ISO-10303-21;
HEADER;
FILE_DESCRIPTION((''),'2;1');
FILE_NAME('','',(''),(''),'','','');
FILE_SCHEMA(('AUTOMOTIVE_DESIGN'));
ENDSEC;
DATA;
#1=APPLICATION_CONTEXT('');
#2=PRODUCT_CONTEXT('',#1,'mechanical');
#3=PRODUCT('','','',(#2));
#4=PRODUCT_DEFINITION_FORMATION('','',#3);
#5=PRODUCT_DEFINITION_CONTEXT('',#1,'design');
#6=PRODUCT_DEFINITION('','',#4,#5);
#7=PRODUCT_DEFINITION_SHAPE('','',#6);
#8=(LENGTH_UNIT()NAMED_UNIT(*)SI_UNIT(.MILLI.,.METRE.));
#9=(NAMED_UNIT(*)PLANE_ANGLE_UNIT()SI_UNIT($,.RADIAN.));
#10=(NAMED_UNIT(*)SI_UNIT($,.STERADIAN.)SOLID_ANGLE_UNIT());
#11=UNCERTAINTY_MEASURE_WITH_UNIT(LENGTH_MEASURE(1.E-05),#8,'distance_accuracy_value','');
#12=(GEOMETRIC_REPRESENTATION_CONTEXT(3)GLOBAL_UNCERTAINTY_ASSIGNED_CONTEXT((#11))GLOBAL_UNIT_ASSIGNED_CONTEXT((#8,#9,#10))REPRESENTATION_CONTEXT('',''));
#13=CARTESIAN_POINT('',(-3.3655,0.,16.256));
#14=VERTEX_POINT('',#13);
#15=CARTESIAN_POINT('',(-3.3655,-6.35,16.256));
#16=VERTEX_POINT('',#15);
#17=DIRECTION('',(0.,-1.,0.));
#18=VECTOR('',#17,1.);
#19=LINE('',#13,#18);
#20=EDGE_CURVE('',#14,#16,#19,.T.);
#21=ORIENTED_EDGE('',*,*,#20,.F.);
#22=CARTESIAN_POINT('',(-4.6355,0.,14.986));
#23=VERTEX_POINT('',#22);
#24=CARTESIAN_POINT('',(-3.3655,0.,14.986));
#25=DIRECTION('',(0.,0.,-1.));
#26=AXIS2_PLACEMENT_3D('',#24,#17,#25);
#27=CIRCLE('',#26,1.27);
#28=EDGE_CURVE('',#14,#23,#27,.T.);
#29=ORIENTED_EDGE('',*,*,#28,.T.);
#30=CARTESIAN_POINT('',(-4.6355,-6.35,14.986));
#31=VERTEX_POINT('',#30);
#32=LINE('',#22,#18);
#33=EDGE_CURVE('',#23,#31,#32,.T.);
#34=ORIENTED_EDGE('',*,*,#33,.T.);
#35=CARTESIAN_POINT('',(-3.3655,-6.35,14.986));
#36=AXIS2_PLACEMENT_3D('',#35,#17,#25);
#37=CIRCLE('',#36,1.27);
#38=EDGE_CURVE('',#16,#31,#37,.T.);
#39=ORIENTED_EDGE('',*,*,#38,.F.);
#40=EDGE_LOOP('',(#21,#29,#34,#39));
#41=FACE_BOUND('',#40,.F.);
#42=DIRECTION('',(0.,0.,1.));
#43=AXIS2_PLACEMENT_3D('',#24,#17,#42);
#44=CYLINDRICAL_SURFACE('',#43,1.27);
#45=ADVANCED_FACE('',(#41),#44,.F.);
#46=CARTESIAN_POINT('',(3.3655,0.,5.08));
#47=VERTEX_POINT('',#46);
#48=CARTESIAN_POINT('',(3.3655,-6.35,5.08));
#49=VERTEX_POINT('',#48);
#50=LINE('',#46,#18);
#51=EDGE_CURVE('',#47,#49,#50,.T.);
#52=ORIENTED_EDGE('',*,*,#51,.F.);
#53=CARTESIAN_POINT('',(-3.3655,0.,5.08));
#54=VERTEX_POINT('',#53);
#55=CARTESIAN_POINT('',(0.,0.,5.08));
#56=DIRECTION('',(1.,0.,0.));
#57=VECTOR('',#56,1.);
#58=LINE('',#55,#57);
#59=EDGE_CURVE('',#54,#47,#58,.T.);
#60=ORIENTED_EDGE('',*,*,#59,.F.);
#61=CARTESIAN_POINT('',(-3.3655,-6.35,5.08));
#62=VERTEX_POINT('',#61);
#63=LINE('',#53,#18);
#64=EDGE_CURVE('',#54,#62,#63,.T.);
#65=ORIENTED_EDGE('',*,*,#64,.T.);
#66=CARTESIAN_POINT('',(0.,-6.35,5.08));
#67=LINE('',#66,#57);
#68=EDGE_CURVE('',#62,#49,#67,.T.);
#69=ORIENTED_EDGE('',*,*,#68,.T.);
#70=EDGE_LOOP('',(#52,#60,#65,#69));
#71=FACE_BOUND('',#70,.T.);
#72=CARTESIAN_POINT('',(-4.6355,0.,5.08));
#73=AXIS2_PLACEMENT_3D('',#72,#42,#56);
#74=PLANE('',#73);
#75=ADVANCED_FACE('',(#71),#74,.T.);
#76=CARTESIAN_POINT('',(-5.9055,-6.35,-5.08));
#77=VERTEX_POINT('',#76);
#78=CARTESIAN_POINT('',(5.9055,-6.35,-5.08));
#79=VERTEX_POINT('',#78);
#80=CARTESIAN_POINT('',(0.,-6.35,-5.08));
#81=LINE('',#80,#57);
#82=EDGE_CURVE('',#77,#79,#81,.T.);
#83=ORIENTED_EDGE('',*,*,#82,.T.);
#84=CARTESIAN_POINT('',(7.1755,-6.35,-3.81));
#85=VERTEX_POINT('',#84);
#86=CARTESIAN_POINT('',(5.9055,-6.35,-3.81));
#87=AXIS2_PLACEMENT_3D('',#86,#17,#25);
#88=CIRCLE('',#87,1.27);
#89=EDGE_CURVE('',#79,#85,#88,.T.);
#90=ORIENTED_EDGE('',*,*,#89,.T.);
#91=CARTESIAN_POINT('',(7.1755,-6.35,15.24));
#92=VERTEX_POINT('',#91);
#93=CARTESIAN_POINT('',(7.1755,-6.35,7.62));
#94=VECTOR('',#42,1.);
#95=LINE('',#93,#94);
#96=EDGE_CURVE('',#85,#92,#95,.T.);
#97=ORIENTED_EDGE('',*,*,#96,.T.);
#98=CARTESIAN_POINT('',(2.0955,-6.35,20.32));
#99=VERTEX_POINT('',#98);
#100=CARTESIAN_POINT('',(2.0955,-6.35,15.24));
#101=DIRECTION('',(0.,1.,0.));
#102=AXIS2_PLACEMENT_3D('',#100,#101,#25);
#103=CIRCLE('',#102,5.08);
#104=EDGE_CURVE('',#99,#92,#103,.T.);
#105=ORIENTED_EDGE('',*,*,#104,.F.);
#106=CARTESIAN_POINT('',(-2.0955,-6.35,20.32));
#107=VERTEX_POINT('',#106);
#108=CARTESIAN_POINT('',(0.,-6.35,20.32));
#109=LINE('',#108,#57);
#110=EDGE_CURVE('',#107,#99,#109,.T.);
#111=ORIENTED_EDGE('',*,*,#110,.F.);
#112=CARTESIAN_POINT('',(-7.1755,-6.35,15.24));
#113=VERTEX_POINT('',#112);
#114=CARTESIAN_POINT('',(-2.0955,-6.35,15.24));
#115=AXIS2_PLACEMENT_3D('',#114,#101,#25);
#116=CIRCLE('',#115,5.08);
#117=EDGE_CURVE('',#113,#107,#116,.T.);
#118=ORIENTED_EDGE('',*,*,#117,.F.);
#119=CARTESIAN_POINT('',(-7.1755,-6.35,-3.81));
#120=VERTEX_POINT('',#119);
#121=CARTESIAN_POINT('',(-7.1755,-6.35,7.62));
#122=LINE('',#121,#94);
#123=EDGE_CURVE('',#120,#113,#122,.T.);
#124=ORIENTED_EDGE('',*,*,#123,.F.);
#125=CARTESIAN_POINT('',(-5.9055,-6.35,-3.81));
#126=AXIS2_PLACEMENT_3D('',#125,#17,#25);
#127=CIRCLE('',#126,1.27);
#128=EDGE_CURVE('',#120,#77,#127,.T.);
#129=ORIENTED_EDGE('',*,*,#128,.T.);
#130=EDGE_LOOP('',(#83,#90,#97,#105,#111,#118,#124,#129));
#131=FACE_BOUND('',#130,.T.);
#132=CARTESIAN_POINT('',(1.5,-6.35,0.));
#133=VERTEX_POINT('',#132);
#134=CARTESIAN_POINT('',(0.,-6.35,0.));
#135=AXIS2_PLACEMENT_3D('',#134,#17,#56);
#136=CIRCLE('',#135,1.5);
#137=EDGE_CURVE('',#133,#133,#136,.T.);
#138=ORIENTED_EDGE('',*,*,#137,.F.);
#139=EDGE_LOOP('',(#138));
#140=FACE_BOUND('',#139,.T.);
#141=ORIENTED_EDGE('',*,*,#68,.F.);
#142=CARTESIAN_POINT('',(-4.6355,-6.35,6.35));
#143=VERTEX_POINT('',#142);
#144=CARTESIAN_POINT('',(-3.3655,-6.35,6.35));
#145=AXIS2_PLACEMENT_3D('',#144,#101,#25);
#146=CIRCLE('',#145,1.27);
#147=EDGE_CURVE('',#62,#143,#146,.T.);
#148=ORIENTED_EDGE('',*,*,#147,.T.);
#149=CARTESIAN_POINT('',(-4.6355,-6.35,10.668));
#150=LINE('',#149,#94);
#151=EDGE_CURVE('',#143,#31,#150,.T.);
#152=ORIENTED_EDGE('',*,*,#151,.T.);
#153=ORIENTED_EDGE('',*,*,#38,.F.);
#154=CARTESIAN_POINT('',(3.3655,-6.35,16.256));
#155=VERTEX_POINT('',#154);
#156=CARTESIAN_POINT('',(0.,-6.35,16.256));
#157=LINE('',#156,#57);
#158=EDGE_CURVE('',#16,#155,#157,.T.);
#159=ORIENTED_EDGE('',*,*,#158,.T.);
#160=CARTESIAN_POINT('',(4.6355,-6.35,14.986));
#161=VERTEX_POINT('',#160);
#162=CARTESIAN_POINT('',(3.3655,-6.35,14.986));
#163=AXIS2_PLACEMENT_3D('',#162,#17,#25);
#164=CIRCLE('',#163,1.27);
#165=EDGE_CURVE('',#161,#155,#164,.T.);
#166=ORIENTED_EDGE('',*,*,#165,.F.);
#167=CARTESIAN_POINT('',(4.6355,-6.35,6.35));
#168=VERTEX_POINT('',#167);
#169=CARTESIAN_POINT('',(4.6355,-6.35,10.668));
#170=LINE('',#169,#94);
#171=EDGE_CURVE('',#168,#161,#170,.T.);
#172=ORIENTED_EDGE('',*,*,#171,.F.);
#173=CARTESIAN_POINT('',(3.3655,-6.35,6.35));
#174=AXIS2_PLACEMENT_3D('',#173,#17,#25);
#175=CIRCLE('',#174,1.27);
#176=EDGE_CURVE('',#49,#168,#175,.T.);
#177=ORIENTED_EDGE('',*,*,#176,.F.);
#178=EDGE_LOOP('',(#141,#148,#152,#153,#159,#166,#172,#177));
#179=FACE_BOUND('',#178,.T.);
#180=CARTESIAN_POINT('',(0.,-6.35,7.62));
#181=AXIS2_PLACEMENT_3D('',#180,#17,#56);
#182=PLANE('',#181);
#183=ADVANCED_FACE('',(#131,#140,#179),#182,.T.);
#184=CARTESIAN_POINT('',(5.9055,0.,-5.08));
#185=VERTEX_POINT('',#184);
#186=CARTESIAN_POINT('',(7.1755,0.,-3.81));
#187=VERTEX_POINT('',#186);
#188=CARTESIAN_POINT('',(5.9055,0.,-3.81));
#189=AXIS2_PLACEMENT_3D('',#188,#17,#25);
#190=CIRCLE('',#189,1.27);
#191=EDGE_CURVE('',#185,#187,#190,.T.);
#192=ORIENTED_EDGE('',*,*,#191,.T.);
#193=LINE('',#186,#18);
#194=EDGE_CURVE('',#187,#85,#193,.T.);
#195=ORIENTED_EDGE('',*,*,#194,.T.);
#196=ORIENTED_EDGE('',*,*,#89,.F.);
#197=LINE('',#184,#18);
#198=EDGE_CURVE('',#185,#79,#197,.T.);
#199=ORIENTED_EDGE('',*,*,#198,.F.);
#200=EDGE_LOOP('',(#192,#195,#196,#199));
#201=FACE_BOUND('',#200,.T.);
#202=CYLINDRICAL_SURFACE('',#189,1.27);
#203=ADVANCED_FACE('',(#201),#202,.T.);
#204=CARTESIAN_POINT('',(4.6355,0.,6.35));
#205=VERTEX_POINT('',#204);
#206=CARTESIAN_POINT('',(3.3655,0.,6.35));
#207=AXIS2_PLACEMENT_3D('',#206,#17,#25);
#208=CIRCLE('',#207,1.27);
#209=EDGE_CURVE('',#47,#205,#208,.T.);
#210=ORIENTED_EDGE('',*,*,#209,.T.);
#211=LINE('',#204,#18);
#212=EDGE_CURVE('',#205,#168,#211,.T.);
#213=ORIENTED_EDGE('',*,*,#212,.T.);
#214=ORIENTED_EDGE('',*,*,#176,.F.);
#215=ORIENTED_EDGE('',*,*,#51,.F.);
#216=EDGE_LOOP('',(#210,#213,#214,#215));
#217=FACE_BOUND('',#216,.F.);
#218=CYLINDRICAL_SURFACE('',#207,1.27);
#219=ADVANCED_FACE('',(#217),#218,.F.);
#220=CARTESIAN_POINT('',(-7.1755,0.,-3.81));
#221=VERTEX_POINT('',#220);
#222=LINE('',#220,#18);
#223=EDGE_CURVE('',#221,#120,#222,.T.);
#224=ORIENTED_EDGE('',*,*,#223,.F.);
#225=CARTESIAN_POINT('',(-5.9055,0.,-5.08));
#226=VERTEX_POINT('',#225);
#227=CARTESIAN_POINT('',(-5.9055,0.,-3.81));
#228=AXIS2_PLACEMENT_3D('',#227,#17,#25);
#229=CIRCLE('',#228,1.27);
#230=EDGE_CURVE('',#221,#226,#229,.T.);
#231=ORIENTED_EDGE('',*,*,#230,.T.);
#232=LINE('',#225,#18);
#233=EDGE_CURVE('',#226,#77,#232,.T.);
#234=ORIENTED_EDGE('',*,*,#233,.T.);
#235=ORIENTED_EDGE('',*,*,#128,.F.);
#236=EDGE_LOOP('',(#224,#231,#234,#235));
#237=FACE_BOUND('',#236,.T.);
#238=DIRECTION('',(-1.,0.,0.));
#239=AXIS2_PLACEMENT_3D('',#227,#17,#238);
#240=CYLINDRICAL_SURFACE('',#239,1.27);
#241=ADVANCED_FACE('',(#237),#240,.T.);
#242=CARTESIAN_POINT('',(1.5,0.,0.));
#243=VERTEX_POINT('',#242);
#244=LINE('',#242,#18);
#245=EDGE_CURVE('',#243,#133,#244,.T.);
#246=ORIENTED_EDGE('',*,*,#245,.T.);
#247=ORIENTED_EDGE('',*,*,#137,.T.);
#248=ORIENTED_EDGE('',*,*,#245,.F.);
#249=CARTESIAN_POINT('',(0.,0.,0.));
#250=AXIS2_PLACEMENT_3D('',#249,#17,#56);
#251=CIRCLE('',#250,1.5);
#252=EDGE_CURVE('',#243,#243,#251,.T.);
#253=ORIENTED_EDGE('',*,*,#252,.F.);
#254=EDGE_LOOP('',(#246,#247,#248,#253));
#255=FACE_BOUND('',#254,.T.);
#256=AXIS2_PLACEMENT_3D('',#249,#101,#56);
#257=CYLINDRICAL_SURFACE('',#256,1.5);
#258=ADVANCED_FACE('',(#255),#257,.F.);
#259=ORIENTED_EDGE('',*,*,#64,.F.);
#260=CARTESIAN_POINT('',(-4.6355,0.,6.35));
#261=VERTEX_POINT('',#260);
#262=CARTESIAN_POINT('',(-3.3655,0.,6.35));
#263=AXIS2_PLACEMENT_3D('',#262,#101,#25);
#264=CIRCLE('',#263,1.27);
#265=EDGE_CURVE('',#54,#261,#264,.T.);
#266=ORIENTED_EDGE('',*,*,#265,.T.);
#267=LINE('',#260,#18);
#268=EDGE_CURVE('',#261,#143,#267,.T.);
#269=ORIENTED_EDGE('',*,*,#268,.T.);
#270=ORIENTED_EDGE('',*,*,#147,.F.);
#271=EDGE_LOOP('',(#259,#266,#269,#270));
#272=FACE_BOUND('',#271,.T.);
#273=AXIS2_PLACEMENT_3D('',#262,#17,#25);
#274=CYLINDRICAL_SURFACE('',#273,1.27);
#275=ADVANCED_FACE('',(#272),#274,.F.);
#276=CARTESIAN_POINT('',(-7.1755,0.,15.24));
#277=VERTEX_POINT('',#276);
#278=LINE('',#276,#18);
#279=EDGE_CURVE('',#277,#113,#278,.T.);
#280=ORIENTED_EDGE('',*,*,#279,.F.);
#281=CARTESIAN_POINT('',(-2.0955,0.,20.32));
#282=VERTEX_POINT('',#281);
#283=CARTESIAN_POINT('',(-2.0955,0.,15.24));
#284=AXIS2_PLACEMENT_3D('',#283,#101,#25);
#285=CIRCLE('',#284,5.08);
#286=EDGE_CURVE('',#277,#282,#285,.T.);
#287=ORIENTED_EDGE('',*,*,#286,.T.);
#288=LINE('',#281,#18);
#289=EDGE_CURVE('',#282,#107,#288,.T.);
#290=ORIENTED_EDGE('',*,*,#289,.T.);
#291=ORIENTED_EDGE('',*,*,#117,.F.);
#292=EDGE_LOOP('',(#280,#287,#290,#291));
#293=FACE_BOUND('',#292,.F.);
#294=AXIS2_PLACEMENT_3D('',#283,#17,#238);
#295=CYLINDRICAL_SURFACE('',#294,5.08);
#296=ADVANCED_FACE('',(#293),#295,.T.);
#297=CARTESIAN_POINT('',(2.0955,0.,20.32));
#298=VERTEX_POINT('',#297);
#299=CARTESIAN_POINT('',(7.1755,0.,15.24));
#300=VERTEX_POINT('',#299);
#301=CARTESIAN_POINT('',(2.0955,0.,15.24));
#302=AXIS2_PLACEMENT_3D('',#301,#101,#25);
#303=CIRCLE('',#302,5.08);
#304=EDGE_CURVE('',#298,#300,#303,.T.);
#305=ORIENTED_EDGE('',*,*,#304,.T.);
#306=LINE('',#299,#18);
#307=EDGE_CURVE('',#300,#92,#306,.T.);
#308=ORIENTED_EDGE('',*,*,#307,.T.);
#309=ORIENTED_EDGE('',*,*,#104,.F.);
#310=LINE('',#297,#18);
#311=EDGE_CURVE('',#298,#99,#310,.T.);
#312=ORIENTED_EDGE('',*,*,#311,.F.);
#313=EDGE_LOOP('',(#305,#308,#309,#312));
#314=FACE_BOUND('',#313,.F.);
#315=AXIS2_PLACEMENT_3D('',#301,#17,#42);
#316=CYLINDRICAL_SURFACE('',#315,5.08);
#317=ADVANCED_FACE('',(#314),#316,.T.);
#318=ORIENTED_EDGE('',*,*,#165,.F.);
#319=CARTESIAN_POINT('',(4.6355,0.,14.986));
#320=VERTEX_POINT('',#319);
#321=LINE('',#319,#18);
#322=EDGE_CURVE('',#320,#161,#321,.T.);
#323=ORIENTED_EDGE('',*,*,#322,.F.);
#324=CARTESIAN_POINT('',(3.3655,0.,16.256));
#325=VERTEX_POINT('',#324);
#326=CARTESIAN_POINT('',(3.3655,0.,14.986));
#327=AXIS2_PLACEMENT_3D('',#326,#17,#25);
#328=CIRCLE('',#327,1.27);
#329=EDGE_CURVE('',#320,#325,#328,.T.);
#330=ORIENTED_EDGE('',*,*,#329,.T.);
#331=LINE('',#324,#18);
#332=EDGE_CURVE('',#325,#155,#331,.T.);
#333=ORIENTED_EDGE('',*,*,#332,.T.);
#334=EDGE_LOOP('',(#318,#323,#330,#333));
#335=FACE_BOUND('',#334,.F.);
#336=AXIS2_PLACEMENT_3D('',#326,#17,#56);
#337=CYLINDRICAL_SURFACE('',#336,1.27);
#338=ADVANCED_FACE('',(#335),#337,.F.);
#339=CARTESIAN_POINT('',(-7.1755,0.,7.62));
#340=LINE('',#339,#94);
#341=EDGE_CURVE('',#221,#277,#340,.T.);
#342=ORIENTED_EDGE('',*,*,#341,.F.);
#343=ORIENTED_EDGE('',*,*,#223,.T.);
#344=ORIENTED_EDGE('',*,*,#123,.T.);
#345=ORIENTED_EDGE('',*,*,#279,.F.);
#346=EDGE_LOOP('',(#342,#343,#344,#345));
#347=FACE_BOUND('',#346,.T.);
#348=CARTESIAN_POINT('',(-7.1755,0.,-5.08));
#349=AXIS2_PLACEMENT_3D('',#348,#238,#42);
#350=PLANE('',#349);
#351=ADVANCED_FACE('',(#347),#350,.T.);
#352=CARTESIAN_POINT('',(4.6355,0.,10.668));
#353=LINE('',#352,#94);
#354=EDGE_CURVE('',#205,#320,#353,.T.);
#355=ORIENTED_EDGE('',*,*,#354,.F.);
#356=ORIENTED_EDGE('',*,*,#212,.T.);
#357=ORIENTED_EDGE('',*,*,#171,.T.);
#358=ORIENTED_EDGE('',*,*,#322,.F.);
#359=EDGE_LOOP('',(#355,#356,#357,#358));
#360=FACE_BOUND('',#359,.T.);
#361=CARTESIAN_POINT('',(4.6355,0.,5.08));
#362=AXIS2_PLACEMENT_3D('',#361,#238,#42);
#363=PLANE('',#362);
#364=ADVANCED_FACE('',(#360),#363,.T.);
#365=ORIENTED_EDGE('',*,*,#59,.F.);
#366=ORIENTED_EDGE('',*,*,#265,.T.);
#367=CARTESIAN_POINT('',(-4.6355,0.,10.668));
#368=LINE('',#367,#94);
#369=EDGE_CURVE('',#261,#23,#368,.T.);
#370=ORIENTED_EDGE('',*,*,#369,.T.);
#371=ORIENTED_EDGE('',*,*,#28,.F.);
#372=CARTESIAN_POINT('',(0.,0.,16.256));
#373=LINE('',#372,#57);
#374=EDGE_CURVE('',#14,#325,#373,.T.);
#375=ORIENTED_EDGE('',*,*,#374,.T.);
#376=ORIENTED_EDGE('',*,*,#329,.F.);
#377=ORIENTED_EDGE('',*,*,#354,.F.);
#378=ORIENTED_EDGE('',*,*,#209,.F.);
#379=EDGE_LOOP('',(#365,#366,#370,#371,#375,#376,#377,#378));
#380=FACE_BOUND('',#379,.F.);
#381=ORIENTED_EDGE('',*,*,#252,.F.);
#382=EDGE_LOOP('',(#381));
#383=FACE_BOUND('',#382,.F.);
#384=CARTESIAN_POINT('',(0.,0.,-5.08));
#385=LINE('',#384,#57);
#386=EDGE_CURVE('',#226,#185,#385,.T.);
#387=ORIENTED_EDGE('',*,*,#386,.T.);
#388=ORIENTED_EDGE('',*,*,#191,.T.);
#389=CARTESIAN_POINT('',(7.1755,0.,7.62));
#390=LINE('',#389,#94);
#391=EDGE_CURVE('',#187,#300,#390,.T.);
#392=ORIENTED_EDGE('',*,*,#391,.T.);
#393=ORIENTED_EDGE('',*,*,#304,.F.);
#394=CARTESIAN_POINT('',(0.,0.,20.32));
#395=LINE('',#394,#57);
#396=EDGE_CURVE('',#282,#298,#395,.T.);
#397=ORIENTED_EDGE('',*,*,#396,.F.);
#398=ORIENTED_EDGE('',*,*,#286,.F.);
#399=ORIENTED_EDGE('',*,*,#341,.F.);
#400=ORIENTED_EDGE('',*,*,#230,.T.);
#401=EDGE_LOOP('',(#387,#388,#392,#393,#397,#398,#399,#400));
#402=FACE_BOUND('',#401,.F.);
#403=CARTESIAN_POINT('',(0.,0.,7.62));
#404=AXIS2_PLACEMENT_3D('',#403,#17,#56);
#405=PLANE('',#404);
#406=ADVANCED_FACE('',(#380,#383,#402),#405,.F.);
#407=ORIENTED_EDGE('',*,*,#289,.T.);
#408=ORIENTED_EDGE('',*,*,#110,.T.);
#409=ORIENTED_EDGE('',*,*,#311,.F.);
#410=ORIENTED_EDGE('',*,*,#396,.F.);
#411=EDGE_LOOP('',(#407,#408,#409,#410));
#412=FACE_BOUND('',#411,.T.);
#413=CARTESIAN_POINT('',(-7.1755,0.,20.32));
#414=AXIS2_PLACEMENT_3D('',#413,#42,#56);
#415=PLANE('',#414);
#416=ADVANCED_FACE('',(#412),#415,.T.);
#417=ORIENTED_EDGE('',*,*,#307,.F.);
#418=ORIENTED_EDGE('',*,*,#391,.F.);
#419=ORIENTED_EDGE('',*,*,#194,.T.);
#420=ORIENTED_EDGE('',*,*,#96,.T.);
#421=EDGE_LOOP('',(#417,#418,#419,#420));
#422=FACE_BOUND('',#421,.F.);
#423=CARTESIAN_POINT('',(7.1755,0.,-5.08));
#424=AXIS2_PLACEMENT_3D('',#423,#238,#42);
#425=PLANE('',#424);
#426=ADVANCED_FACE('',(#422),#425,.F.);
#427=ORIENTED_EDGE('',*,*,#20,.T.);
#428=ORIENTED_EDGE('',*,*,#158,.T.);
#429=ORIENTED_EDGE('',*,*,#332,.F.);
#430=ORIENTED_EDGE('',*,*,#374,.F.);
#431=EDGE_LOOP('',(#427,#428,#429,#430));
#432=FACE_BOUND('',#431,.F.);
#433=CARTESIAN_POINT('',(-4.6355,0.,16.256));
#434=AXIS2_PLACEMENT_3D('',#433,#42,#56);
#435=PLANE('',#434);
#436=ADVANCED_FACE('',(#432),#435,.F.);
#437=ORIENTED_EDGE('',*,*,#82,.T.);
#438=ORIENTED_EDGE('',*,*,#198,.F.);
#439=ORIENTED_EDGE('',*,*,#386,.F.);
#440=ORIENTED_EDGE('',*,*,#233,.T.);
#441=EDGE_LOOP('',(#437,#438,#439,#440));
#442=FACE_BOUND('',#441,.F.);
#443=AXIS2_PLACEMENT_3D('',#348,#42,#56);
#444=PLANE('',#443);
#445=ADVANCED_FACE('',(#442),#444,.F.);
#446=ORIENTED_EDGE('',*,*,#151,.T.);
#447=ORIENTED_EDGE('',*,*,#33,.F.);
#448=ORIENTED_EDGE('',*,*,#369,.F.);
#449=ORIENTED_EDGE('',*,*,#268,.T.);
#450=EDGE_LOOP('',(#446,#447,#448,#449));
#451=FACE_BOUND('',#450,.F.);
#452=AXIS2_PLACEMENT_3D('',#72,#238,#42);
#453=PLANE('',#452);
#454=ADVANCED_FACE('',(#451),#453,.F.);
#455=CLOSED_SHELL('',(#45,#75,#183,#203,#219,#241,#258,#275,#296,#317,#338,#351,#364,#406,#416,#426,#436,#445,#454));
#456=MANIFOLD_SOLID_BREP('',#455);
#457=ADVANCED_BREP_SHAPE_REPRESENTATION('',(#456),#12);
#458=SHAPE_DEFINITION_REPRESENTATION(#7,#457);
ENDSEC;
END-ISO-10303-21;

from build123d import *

# Parameters (mm, degrees)
F0_W     = 14.351
F0_H     = 25.4
F0_R     = 1.5
F0_W_2   = 9.271
F0_H_2   = 11.176
F1_DEPTH = 6.35
F2_R     = 5.08
F3_R     = 1.27


with BuildPart() as f1:
    # F0 (on Front) → F1 (new body)
    with BuildSketch(Plane.XZ):
        with Locations((0, 7.62)):
            Rectangle(F0_W, F0_H)
        Circle(F0_R, mode=Mode.SUBTRACT)
        with Locations((0, 10.668)):
            Rectangle(F0_W_2, F0_H_2, mode=Mode.SUBTRACT)
    extrude(amount=F1_DEPTH)

    # F2
    f2_edges = [f1.edges().sort_by_distance(p)[0] for p in [
        (7.1755, -3.175, 20.32),
        (-7.1755, -3.175, 20.32),
    ]]
    fillet(f2_edges, radius=F2_R)

    # F3
    f3_edges = [f1.edges().sort_by_distance(p)[0] for p in [
        (7.1755, -3.175, -5.08),
        (-7.1755, -3.175, -5.08),
        (-4.6355, -3.175, 16.256),
        (4.6355, -3.175, 16.256),
        (-4.6355, -3.175, 5.08),
        (4.6355, -3.175, 5.08),
    ]]
    fillet(f3_edges, radius=F3_R)


solid = f1.part
